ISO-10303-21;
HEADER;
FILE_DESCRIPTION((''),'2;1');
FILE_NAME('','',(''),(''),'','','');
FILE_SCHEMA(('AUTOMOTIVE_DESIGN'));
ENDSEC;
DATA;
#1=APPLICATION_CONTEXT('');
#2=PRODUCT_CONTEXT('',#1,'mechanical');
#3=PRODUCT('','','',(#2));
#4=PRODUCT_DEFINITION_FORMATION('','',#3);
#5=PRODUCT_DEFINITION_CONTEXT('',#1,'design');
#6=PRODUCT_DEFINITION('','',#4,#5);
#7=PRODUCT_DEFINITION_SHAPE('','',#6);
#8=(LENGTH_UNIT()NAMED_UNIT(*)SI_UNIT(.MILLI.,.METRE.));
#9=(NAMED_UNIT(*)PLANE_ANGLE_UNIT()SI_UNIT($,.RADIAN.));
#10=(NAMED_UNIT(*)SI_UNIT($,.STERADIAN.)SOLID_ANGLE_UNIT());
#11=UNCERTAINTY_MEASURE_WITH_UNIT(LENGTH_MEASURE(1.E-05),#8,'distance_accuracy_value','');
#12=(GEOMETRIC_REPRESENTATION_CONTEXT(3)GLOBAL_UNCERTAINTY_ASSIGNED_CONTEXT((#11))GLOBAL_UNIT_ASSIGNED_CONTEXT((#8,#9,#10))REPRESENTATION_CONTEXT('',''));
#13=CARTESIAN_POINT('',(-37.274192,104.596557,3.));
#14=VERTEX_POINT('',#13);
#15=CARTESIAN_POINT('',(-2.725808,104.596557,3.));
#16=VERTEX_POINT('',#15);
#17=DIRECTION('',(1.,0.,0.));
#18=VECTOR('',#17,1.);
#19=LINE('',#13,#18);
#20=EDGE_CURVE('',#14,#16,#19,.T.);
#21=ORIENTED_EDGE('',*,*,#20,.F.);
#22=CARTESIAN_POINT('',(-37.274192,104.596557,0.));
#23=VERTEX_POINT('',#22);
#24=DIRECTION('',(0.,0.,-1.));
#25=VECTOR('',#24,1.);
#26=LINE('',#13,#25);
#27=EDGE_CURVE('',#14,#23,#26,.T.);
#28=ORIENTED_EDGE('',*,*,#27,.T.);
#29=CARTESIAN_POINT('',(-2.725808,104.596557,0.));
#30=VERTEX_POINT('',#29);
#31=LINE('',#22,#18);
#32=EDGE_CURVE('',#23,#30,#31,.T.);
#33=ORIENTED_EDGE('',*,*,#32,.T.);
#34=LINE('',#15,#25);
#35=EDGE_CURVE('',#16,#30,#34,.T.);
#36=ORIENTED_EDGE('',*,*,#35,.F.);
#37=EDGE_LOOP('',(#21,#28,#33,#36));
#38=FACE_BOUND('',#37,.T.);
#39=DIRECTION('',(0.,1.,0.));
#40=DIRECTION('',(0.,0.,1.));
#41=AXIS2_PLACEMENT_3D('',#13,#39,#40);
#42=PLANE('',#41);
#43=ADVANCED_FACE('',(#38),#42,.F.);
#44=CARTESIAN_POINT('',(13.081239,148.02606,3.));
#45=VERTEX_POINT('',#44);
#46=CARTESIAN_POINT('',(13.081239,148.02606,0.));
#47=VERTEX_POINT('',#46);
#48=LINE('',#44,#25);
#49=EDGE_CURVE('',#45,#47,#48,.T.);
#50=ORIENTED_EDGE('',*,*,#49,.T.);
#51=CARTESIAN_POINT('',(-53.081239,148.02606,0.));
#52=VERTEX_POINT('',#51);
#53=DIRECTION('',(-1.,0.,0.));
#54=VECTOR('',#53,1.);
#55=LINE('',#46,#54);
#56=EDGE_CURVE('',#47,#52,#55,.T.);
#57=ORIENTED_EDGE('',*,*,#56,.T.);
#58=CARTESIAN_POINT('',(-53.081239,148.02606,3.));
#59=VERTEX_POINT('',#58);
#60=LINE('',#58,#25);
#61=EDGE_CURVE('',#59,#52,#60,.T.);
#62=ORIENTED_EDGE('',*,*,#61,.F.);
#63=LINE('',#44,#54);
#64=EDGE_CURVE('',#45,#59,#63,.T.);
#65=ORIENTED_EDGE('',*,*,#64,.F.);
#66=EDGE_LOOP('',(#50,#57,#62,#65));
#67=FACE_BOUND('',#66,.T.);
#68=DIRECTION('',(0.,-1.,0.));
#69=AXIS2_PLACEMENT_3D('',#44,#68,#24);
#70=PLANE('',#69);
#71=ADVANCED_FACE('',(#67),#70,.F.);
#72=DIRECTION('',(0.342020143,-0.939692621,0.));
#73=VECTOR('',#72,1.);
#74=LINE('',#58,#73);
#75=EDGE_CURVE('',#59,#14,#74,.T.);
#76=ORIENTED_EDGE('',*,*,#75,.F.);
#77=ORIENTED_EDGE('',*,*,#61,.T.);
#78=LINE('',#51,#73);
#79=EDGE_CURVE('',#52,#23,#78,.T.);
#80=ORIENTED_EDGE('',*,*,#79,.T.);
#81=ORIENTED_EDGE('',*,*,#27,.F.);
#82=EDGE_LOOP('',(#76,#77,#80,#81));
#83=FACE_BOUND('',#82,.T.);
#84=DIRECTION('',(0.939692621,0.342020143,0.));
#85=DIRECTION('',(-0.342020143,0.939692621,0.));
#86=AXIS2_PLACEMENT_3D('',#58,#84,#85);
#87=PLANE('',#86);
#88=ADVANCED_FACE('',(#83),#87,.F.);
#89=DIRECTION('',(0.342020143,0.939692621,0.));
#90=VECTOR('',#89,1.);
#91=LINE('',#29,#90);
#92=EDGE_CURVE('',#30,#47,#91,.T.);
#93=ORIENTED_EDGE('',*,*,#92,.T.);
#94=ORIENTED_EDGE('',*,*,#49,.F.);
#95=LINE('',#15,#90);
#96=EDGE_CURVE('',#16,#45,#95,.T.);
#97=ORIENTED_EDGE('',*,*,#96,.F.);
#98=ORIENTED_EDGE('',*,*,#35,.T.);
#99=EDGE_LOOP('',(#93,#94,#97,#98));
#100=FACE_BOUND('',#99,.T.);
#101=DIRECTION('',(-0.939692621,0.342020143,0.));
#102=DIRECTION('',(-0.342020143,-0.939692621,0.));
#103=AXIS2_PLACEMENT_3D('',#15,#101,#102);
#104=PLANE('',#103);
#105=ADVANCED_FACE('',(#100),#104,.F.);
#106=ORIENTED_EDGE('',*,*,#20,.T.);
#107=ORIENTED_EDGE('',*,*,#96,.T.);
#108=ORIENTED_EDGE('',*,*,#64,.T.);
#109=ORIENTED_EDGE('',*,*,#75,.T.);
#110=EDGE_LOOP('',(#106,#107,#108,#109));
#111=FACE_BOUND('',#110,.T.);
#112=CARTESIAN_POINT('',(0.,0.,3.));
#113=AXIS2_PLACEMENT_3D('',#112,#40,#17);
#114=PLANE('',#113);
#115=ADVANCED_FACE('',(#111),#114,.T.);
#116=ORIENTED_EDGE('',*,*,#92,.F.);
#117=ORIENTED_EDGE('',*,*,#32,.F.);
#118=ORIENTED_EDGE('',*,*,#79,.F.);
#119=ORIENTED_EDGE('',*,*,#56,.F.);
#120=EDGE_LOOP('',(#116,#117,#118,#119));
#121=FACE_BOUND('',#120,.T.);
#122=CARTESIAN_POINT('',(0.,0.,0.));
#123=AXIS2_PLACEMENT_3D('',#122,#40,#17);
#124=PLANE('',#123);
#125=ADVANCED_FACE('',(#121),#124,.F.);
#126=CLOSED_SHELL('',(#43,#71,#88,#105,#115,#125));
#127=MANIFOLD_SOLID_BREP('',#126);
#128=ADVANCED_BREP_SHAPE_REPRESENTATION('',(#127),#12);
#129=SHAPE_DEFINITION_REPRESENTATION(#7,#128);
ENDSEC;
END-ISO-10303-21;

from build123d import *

# Parameters (mm, degrees)
BOSS_EXTRUDE1_DEPTH = 3


with BuildPart() as part:
    # Sketch1 → Boss-Extrude1 (new body)
    with BuildSketch(Plane.XY):
        Polygon((13.081238583, 148.026060427), (-53.081238583, 148.026060427), (-37.274192134, 104.59655724), (-2.725807866, 104.59655724), align=None)
    extrude(amount=BOSS_EXTRUDE1_DEPTH)


solid = part.part
